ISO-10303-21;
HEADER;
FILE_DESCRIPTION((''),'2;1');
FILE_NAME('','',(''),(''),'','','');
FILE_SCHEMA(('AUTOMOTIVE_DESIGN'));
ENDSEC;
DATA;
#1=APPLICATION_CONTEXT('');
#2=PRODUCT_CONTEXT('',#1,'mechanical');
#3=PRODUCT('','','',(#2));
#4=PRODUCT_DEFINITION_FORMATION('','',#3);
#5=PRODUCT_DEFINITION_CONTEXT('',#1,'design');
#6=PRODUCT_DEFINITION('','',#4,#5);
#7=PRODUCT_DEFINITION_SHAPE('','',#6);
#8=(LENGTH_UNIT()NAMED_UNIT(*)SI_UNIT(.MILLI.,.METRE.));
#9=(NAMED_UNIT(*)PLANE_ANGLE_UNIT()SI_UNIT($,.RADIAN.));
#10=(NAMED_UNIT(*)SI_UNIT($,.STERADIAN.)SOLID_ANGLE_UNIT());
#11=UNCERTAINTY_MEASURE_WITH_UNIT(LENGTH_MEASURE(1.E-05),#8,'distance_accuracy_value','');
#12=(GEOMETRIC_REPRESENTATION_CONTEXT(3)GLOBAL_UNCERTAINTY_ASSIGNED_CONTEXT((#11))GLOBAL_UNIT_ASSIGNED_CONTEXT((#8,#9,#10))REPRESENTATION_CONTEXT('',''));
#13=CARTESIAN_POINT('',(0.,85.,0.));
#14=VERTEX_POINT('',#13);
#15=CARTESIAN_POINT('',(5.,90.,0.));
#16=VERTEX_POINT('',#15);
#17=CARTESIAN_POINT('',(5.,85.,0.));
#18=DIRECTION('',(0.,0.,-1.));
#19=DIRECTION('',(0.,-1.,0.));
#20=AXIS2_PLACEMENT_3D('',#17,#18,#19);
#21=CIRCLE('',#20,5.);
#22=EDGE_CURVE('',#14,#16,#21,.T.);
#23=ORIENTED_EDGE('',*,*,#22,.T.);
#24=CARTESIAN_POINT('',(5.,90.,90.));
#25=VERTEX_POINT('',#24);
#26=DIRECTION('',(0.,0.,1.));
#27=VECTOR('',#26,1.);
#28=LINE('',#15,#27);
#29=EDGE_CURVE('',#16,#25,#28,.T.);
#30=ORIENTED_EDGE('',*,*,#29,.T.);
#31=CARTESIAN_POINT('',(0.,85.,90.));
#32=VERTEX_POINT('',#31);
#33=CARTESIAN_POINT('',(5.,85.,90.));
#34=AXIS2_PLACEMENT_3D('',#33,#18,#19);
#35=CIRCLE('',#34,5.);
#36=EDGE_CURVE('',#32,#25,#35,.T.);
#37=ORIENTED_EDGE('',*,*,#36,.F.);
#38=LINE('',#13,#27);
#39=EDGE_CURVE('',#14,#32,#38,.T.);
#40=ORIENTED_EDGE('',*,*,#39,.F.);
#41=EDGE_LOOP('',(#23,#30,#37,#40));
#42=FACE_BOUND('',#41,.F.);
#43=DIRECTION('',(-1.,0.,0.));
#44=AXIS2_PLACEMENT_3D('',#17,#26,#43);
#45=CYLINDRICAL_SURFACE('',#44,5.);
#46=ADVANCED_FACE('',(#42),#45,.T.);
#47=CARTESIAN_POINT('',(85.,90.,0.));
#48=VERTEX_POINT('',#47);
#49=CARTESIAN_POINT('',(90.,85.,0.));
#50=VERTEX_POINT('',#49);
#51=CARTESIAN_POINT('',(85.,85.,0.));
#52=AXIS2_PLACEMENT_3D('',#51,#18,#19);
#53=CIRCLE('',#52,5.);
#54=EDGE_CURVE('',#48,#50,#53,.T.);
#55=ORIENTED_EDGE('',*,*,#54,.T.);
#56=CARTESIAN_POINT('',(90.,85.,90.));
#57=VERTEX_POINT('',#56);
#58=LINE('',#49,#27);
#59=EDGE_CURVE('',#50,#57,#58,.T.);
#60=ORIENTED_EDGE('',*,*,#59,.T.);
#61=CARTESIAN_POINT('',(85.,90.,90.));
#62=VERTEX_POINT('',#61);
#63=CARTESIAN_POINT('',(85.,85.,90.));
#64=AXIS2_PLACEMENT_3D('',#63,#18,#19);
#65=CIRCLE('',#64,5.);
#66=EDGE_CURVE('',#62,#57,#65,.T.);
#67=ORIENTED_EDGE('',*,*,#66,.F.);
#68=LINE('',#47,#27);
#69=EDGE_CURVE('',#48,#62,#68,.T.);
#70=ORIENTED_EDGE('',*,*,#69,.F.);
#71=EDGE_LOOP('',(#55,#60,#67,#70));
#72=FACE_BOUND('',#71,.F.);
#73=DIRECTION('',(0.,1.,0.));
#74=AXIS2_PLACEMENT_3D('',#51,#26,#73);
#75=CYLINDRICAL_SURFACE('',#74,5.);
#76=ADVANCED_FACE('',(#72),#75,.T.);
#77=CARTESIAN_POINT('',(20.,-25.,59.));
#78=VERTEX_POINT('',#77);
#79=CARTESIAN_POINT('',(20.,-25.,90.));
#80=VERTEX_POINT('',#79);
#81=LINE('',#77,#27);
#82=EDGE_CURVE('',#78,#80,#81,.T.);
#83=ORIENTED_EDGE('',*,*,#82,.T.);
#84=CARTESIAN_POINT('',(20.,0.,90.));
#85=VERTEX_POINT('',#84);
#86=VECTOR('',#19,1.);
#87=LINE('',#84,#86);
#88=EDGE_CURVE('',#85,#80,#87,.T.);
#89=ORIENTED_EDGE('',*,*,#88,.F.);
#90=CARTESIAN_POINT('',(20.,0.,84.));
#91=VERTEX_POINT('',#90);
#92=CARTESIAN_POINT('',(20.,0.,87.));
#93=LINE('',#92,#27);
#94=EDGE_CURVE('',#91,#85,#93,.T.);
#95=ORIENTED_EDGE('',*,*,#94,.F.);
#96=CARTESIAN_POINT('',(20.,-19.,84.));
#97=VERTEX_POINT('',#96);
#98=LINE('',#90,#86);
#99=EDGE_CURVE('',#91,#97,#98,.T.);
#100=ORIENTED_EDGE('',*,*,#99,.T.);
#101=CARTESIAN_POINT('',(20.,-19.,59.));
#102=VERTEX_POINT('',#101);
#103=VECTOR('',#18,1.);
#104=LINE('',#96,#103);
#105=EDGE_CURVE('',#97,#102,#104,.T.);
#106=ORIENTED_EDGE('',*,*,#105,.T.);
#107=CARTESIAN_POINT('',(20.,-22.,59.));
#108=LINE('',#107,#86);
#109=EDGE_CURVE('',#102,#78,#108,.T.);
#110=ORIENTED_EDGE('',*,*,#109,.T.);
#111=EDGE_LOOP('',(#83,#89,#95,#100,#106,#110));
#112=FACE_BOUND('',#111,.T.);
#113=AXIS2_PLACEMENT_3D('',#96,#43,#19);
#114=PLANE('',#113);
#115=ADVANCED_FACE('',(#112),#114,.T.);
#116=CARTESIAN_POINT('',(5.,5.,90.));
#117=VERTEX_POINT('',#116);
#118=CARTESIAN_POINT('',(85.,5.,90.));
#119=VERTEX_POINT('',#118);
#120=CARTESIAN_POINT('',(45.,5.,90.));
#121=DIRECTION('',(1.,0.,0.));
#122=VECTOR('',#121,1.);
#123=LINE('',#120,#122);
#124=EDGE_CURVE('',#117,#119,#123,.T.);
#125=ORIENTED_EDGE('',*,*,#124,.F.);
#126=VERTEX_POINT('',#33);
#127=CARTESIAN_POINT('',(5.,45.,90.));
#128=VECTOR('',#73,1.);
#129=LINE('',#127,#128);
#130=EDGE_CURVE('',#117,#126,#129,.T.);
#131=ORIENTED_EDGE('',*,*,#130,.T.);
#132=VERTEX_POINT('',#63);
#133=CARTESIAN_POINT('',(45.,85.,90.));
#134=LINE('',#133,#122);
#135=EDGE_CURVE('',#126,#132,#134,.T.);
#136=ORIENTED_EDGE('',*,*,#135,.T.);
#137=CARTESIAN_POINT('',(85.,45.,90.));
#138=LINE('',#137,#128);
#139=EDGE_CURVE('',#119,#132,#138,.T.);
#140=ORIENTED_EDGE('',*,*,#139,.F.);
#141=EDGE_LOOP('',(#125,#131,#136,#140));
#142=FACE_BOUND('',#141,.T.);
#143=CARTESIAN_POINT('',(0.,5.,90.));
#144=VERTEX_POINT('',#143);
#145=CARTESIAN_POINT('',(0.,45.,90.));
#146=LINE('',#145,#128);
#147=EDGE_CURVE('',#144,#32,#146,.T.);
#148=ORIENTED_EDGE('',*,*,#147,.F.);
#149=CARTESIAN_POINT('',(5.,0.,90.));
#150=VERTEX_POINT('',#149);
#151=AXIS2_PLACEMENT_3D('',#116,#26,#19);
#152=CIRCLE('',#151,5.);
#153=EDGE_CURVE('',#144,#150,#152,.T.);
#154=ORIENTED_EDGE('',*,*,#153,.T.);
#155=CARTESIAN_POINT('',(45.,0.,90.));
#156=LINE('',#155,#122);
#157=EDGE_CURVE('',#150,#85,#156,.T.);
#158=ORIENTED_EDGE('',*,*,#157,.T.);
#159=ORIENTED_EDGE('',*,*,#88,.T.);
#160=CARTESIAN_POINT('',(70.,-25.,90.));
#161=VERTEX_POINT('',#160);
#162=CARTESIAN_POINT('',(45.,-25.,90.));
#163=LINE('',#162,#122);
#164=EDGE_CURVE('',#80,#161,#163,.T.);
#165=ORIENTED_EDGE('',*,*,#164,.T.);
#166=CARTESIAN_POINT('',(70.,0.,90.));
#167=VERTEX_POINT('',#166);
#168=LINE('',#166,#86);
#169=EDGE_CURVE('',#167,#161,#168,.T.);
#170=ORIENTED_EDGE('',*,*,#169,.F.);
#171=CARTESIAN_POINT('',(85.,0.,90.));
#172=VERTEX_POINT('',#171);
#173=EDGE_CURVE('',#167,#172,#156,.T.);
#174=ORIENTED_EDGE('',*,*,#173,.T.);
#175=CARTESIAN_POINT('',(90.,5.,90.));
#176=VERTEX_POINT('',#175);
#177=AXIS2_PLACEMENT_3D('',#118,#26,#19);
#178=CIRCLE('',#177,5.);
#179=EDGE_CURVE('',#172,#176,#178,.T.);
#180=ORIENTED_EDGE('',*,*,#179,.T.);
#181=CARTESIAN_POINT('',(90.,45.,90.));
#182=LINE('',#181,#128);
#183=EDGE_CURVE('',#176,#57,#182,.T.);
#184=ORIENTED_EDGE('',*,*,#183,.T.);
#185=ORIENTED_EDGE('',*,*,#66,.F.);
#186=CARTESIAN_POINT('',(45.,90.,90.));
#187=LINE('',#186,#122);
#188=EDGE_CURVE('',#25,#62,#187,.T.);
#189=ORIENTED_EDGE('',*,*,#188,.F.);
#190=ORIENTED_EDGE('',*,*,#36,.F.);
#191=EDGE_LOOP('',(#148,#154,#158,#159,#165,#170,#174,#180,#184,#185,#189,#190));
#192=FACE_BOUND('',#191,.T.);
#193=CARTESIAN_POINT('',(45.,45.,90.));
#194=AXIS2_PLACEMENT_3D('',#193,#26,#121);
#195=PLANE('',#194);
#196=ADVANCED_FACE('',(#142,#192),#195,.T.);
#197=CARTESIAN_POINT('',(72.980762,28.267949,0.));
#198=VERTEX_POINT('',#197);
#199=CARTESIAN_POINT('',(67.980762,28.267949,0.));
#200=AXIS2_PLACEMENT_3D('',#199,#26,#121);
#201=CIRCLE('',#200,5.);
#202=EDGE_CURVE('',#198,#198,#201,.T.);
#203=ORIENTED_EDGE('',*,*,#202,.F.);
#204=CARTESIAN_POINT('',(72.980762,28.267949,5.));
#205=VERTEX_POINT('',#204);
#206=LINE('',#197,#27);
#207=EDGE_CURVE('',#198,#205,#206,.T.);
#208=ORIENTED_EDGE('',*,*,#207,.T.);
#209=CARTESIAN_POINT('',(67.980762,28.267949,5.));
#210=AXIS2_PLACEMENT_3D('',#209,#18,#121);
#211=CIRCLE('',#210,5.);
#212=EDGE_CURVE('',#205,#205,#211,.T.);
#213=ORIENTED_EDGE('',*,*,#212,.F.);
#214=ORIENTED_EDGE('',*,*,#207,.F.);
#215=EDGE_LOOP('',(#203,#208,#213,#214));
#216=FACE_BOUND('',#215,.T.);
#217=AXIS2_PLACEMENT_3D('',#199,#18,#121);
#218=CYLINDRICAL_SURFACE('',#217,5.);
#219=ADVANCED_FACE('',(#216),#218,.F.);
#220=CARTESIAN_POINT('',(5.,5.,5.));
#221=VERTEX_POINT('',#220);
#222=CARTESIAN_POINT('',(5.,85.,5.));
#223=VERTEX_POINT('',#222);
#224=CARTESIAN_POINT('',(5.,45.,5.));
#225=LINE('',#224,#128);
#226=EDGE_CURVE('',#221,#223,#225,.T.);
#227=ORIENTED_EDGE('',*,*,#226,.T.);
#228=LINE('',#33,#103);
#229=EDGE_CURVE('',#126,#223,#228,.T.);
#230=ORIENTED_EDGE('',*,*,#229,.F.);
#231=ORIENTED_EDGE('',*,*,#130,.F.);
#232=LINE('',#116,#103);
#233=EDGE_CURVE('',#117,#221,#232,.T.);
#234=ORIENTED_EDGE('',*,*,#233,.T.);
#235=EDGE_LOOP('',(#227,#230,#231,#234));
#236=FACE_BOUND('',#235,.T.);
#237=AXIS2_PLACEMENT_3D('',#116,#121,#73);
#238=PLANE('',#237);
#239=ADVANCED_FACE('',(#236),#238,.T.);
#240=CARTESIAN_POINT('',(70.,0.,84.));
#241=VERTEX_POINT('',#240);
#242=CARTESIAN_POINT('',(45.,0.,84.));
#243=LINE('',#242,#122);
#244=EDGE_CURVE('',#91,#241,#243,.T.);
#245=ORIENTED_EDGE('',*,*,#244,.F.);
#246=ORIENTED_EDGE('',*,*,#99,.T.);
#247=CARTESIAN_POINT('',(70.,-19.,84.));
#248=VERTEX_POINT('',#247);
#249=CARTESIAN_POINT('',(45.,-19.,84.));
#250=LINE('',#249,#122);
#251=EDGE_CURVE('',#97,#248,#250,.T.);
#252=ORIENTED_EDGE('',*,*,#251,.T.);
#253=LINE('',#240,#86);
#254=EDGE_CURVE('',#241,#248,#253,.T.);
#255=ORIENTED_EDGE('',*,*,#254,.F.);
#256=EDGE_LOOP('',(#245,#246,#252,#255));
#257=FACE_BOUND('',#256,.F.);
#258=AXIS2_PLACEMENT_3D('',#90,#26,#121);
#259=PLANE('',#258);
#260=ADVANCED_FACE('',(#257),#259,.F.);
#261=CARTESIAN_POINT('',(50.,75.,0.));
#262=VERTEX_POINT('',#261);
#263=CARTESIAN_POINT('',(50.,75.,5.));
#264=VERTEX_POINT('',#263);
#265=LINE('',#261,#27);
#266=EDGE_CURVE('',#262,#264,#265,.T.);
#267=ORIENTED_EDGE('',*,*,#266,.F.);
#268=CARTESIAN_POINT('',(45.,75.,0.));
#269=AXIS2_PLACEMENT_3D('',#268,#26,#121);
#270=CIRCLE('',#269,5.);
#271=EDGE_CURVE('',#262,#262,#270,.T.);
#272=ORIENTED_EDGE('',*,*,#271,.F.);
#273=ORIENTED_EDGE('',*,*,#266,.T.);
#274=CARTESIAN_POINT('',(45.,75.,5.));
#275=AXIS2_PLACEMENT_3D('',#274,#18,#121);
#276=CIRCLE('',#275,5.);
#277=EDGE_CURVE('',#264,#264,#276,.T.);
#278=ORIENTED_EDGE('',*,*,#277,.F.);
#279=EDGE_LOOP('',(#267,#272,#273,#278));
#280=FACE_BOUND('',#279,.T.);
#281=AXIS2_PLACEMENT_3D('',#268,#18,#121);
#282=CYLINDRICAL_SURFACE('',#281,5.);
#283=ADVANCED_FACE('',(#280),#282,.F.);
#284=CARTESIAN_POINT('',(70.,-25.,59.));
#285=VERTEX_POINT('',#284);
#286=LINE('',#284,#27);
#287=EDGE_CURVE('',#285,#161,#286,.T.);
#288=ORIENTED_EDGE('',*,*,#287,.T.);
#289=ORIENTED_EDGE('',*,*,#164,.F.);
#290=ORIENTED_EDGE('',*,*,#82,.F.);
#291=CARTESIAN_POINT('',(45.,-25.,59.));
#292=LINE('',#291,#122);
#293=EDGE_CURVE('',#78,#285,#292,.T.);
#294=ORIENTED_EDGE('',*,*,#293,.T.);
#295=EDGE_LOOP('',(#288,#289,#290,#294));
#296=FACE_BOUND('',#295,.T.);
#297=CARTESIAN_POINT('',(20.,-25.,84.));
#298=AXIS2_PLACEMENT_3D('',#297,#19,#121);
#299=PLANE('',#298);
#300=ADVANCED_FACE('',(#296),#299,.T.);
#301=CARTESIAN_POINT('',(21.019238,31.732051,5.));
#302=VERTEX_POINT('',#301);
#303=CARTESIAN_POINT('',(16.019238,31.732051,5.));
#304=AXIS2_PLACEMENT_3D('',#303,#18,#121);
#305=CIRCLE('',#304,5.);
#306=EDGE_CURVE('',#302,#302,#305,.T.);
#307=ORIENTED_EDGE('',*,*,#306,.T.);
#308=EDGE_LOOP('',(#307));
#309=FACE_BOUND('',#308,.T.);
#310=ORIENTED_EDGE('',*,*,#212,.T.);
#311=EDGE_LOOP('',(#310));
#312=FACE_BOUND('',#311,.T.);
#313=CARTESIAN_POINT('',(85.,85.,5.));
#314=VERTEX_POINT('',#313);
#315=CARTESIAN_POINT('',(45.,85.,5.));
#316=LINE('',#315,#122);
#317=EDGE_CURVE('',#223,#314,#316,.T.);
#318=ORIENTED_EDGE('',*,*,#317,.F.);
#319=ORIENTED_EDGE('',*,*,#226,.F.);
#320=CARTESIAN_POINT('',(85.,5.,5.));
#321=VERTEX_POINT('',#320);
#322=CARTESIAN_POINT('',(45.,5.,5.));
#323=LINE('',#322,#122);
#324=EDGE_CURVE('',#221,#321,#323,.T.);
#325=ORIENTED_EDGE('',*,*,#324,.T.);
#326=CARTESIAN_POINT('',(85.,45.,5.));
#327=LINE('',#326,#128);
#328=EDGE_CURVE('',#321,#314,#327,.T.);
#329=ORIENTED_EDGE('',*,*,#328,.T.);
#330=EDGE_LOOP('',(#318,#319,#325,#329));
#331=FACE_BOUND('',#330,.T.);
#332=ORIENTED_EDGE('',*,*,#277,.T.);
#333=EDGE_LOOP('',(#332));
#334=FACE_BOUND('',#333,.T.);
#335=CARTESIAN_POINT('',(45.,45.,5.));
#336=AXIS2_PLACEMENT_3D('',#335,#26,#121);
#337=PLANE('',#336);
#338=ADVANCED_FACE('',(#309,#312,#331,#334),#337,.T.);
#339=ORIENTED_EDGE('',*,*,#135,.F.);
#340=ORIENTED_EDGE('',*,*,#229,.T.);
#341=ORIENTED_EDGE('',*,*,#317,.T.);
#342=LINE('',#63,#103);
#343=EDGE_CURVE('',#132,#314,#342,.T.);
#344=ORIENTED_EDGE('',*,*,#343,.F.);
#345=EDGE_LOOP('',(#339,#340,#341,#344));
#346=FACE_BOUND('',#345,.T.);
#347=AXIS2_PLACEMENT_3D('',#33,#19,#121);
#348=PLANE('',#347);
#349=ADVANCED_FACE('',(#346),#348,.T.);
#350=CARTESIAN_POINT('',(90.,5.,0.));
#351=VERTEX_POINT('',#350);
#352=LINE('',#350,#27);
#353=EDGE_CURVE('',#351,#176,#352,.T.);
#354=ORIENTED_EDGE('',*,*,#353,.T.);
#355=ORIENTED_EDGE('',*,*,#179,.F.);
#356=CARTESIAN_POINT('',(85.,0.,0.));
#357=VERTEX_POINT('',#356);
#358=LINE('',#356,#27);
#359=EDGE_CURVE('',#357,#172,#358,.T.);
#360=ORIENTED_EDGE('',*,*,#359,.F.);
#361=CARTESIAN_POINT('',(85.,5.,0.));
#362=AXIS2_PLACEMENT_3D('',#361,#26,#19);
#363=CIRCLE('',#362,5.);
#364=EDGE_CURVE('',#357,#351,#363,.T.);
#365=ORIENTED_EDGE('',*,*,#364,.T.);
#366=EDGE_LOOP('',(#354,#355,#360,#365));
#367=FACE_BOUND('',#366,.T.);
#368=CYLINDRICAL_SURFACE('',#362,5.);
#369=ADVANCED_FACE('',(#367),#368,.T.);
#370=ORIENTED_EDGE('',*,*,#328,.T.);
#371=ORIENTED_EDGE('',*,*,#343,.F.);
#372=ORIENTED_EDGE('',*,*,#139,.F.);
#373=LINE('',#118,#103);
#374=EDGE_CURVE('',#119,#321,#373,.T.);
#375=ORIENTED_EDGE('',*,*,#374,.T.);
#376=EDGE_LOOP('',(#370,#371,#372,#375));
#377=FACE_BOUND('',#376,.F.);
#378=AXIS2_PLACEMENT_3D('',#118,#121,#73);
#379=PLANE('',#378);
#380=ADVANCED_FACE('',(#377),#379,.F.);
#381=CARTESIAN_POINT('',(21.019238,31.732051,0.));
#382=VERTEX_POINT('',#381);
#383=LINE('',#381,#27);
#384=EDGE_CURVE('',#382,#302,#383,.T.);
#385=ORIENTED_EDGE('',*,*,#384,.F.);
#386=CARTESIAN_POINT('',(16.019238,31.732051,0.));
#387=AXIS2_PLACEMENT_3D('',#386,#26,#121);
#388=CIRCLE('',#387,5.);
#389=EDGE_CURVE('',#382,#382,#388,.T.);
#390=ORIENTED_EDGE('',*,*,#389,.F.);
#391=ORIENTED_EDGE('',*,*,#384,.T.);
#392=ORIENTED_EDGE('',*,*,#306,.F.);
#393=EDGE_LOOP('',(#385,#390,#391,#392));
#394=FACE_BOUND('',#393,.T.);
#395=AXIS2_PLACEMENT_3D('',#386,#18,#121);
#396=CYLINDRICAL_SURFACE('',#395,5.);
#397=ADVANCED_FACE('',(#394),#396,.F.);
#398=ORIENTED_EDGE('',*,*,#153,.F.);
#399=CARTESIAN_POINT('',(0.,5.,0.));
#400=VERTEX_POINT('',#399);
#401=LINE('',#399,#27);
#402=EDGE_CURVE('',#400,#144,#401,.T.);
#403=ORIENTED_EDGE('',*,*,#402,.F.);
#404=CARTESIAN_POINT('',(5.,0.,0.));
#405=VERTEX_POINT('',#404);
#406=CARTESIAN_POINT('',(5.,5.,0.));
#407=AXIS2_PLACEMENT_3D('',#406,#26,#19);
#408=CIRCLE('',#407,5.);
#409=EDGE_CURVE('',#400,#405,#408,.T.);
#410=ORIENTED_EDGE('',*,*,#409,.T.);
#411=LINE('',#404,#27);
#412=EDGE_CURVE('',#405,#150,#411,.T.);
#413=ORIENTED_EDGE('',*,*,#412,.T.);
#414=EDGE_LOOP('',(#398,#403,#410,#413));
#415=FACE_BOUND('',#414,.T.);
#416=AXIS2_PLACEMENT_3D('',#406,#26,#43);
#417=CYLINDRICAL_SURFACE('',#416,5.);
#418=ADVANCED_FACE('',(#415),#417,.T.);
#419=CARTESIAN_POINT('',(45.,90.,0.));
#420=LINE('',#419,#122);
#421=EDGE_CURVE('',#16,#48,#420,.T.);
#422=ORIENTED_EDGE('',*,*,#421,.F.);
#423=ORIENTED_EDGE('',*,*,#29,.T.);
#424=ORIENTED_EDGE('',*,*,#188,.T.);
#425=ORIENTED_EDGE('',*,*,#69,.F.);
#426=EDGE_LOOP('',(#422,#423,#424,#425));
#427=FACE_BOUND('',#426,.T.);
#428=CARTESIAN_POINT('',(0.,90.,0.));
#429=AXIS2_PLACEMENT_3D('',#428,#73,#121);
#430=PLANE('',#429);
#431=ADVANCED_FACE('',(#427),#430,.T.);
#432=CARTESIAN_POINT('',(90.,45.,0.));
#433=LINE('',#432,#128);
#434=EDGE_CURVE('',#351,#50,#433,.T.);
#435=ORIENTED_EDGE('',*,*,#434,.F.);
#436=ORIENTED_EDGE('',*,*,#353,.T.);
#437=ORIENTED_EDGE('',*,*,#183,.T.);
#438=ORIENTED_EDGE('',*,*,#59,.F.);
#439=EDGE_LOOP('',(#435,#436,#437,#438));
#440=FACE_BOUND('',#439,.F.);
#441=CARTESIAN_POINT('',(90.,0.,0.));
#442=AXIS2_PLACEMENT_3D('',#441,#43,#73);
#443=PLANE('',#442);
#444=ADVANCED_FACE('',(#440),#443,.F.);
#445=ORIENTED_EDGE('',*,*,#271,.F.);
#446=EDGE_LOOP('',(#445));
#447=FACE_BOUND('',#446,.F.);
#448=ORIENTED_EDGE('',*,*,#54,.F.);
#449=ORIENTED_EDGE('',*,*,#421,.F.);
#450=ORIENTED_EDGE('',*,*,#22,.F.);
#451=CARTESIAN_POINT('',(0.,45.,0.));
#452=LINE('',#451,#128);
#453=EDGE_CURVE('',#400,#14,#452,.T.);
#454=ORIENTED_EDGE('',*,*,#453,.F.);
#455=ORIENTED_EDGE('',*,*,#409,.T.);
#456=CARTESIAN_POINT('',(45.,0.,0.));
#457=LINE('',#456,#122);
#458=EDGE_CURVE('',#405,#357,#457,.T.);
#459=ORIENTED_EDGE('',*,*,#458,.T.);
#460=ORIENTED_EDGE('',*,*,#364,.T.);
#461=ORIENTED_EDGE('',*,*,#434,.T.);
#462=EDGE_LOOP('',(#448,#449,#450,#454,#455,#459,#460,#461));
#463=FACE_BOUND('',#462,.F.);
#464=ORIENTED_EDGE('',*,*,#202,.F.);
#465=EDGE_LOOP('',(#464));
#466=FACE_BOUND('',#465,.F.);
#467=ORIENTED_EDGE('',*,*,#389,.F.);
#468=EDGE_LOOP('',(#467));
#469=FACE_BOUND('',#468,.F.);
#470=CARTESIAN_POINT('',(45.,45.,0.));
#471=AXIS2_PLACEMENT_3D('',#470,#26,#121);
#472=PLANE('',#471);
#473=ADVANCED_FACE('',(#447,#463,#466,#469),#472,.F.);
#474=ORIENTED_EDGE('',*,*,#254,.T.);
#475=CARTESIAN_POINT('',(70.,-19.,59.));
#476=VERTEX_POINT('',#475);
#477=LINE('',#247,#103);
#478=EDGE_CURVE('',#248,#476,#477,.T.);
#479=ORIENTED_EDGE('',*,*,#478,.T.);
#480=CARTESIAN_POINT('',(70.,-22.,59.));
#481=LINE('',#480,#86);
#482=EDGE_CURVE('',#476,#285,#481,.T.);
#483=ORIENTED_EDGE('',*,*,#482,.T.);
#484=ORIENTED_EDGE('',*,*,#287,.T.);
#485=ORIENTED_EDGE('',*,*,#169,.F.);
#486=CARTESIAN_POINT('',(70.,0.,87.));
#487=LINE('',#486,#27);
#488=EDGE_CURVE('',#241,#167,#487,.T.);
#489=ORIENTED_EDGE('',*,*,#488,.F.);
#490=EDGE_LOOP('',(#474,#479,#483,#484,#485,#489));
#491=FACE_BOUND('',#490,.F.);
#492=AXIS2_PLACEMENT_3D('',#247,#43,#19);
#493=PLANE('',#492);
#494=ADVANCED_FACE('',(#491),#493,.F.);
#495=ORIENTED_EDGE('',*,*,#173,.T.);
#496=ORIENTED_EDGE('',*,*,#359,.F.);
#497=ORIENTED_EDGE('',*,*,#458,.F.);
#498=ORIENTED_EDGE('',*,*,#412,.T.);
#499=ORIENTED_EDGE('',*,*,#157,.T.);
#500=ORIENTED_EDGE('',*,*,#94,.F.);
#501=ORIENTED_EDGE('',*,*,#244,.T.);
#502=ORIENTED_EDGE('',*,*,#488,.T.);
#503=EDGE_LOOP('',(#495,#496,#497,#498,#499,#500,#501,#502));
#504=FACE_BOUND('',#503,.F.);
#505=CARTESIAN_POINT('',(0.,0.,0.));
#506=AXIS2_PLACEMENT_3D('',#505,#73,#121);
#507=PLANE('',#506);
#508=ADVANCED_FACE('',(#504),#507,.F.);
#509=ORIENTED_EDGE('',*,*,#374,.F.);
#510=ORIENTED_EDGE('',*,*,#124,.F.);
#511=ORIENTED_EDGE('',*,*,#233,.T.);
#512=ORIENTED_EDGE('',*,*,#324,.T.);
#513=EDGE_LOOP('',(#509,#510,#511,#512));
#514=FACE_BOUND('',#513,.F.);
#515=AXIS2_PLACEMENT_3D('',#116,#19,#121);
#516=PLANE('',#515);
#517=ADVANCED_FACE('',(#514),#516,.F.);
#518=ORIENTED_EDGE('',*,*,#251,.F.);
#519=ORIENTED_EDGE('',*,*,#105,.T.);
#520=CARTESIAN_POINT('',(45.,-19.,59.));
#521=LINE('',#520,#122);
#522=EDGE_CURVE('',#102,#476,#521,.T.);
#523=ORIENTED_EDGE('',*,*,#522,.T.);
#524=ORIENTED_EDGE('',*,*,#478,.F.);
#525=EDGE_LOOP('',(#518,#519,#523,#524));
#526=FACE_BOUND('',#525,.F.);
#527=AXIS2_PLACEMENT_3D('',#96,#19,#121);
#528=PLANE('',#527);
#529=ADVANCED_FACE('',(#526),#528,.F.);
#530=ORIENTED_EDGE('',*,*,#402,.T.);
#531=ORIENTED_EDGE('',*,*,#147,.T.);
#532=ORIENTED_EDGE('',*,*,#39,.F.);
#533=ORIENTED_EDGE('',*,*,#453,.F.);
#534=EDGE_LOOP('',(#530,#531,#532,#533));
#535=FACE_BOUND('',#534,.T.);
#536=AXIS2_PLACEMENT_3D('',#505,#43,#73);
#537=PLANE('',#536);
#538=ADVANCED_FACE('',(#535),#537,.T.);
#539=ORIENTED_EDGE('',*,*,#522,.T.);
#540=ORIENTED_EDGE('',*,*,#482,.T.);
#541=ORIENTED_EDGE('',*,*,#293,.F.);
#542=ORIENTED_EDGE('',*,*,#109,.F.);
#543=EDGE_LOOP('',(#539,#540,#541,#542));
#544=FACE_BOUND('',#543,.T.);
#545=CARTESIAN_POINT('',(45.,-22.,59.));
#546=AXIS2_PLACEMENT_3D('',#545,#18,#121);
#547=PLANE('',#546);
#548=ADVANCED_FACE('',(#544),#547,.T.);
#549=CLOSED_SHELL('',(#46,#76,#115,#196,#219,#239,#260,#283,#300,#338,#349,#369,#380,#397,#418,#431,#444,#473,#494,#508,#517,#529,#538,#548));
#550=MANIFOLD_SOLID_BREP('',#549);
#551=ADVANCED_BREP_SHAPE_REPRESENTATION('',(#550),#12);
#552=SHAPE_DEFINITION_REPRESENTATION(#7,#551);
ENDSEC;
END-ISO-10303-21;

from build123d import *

# Parameters (mm, degrees)
F0_W     = 90
F0_H     = 90
F0_R     = 5
F1_DEPTH = 90
F2_R     = 5
F3_W     = 80
F3_H     = 80
F4_DEPTH = 85
F5_W     = 50
F5_H     = 6
F6_DEPTH = 25
F7_W     = 50
F7_H     = 6
F8_DEPTH = 25


with BuildPart() as f1:
    # F0 (on Top) → F1 (new body)
    with BuildSketch(Plane.XY):
        with Locations((45, 45)):
            Rectangle(F0_W, F0_H)
        with Locations((16.019238, 31.732051)):
            Circle(F0_R, mode=Mode.SUBTRACT)
        with Locations((67.980762, 28.267949)):
            Circle(F0_R, mode=Mode.SUBTRACT)
        with Locations((45, 75)):
            Circle(F0_R, mode=Mode.SUBTRACT)
    extrude(amount=F1_DEPTH)

    # F2
    f2_edges = [f1.edges().sort_by_distance(p)[0] for p in [
        (90, 0, 45),
        (90, 90, 45),
        (0, 0, 45),
        (0, 90, 45),
    ]]
    fillet(f2_edges, radius=F2_R)

    # F3 (on face) → F4 (cut)
    with BuildSketch(Plane.XY.offset(90)):
        with Locations((45, 45)):
            Rectangle(F3_W, F3_H)
    extrude(amount=-F4_DEPTH, mode=Mode.SUBTRACT)

    # F5 (on face) → F6 (join)
    with BuildSketch(Plane.XZ):
        with Locations((45, 87)):
            Rectangle(F5_W, F5_H)
    extrude(amount=F6_DEPTH)

    # F7 (on face) → F8 (join)
    with BuildSketch(Plane(origin=(0, 0, 84), x_dir=(1, 0, 0), z_dir=(0, 0, -1))):
        with Locations((45, 22)):
            Rectangle(F7_W, F7_H)
    extrude(amount=F8_DEPTH)


solid = f1.part
